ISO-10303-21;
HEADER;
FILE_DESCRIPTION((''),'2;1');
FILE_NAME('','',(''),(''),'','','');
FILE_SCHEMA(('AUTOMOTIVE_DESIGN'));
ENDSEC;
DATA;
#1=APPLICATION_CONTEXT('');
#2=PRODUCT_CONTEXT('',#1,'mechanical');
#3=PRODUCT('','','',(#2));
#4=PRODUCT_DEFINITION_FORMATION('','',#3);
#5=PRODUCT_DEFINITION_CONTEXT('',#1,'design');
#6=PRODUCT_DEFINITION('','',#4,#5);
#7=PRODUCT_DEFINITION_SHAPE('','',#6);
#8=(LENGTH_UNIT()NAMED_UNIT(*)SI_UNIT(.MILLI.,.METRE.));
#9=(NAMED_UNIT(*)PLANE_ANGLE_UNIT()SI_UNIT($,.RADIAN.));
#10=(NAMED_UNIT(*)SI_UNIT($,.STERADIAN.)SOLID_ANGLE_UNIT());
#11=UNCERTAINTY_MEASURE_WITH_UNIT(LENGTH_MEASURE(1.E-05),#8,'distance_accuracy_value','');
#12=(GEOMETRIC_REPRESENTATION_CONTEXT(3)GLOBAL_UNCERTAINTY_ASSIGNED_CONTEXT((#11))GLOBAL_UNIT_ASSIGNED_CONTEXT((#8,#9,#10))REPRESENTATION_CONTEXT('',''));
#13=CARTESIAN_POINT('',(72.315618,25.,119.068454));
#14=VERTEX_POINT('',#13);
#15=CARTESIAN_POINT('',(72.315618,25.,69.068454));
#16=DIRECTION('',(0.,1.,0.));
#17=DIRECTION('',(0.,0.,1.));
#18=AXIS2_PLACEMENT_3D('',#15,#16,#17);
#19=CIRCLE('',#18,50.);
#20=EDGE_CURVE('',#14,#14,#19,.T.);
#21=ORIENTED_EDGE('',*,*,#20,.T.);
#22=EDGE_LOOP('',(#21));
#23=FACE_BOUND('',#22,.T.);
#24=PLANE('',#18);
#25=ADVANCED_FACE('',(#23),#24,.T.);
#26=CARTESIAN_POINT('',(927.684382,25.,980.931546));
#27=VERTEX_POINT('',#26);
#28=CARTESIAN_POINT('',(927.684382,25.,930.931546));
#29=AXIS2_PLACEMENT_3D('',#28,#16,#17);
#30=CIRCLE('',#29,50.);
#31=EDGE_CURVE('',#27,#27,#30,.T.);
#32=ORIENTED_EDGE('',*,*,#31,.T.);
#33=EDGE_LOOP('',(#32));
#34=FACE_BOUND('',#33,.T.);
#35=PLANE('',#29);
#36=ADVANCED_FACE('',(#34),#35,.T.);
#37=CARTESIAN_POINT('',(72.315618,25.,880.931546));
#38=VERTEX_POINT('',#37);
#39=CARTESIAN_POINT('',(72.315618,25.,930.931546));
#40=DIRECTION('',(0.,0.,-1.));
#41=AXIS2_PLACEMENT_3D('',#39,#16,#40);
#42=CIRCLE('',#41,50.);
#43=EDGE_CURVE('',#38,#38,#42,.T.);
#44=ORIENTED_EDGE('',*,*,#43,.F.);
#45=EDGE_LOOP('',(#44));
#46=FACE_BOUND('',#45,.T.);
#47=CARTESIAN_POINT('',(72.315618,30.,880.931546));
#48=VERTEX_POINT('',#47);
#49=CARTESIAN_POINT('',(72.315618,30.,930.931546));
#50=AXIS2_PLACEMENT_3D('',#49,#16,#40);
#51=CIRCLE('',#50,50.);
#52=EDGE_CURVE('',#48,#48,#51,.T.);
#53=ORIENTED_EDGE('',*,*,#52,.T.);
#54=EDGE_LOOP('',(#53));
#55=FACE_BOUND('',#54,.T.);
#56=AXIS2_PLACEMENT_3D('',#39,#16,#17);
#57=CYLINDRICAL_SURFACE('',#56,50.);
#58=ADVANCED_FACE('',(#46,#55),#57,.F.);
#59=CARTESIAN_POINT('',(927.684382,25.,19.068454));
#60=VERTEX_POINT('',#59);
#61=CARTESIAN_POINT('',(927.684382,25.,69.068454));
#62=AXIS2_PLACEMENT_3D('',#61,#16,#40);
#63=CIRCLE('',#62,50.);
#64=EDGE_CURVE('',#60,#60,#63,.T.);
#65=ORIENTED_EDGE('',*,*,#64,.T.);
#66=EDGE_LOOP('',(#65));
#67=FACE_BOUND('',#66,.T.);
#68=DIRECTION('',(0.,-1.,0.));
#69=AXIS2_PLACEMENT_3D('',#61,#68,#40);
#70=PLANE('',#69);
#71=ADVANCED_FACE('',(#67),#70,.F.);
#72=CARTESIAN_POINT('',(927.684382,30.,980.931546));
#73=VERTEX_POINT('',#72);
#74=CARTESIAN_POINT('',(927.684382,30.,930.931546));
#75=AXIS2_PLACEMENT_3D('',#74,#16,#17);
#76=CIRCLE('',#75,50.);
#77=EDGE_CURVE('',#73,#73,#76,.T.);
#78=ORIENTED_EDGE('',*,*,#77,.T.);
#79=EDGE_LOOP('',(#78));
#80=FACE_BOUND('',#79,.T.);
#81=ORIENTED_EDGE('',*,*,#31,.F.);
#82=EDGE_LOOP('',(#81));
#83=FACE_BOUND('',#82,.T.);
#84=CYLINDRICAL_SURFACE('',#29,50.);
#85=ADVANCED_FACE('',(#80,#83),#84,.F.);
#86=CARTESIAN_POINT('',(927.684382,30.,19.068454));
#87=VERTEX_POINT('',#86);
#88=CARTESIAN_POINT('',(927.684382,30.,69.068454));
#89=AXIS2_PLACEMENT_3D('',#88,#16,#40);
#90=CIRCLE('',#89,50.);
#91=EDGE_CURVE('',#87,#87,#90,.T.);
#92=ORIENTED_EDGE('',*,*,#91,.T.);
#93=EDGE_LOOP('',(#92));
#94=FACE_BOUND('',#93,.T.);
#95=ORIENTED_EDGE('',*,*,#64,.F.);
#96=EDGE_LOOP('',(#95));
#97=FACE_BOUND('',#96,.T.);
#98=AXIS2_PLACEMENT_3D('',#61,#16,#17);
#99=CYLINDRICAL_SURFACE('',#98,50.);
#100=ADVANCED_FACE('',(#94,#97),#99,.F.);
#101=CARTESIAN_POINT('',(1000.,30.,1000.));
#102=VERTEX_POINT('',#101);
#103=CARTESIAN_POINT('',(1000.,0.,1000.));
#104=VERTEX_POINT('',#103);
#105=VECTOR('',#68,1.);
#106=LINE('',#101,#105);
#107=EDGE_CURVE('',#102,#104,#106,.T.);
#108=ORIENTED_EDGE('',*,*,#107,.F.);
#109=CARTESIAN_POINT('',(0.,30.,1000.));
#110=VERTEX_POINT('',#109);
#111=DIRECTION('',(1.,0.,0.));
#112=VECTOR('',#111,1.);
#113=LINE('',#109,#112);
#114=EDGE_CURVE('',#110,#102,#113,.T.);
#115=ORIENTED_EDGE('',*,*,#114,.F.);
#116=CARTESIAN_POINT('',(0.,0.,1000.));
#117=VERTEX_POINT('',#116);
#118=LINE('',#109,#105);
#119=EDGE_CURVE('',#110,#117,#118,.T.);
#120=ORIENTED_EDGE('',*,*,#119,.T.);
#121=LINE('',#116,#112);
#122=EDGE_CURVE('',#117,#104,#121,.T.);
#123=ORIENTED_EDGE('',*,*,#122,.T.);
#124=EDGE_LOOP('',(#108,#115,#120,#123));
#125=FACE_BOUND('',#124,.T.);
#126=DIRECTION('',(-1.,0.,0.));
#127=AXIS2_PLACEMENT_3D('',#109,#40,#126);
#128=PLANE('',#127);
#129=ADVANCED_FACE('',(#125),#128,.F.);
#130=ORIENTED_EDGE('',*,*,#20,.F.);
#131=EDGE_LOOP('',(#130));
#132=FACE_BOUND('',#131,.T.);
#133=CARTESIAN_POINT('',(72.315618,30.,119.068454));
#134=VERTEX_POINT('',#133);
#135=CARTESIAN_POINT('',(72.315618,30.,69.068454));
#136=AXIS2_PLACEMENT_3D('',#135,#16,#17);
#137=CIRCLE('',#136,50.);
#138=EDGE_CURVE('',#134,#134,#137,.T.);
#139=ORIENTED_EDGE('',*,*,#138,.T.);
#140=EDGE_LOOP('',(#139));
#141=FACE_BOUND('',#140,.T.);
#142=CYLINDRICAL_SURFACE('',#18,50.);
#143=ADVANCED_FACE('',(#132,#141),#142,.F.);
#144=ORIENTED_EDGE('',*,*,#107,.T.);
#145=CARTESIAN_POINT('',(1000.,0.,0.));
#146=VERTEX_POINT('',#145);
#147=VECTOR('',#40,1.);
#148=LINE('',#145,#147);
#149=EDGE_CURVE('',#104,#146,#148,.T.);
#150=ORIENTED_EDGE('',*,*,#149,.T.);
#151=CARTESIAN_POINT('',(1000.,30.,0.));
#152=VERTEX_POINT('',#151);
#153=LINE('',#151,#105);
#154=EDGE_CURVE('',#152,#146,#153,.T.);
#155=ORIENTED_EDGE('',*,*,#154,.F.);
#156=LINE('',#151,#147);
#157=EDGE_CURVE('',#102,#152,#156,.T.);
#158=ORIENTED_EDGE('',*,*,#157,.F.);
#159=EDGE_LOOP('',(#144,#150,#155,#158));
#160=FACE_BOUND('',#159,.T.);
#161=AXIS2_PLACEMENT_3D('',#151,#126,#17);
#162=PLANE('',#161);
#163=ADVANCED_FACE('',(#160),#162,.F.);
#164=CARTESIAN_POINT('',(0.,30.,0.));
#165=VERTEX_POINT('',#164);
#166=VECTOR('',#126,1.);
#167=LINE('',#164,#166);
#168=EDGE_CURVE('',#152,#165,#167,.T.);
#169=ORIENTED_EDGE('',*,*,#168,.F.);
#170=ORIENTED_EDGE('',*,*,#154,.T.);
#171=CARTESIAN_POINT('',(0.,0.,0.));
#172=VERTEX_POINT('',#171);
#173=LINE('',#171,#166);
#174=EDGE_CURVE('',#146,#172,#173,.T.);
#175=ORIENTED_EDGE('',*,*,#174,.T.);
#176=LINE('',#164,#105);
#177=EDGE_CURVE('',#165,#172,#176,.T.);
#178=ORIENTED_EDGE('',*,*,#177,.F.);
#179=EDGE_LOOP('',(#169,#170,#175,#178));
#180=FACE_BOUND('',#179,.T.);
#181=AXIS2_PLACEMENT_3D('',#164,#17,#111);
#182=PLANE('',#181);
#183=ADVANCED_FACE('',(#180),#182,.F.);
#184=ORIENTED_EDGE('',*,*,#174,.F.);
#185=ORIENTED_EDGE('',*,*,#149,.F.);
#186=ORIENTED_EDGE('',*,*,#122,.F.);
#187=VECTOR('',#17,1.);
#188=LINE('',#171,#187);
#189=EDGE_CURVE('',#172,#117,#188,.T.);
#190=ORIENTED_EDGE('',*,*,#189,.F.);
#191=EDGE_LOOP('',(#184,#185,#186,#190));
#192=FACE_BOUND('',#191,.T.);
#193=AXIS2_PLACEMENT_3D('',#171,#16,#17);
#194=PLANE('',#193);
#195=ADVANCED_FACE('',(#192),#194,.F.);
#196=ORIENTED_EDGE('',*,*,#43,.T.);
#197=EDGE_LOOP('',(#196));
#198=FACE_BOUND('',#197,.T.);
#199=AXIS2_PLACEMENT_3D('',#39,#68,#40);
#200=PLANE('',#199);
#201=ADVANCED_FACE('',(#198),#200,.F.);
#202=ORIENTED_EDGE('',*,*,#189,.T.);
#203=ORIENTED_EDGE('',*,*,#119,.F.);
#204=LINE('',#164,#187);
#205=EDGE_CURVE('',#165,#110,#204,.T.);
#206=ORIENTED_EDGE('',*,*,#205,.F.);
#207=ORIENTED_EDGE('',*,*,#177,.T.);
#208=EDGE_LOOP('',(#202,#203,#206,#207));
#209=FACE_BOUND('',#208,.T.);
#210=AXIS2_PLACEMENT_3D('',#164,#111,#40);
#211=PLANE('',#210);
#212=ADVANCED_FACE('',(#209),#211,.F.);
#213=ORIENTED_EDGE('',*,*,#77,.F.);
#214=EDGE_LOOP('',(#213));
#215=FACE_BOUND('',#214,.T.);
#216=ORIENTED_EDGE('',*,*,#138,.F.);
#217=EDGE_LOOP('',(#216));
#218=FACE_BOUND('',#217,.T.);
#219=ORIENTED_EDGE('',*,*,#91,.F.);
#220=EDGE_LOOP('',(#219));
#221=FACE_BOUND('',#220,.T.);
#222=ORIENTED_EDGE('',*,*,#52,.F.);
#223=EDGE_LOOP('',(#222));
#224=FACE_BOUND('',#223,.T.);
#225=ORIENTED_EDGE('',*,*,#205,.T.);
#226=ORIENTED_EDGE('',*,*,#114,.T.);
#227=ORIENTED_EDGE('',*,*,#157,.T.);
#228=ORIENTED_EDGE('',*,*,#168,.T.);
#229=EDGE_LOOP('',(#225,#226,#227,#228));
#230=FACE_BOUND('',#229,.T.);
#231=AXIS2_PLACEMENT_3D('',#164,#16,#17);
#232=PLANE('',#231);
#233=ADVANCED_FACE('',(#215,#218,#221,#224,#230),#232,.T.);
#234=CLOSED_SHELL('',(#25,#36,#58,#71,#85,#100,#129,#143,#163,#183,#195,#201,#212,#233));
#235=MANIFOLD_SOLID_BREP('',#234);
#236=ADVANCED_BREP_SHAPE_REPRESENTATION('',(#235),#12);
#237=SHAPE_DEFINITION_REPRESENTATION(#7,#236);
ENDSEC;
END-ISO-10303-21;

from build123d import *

# Parameters (mm, degrees)
SKETCH1_W           = 1000
SKETCH1_H           = 1000
BOSS_EXTRUDE1_DEPTH = 30
SKETCH2_R           = 50
CUT_EXTRUDE1_DEPTH  = 5


with BuildPart() as part:
    # Sketch1 → Boss-Extrude1 (new body)
    with BuildSketch(Plane(origin=(0, 0, 0), x_dir=(1, 0, 0), z_dir=(0, 1, 0))):
        with Locations((500, -500)):
            Rectangle(SKETCH1_W, SKETCH1_H)
    extrude(amount=BOSS_EXTRUDE1_DEPTH)

    # Sketch2 → Cut-Extrude1 (cut)
    with BuildSketch(Plane(origin=(0, 30, 0), x_dir=(1, 0, 0), z_dir=(0, 1, 0))):
        with Locations(Location((72.315618364, -69.06845402, 0), (0, 0, 270))):
            Circle(SKETCH2_R)
        with Locations(Location((927.684381636, -69.06845402, 0), (0, 0, 90))):
            Circle(SKETCH2_R)
        with Locations(Location((927.684381636, -930.93154598, 0), (0, 0, 270))):
            Circle(SKETCH2_R)
        with Locations(Location((72.315618364, -930.93154598, 0), (0, 0, 90))):
            Circle(SKETCH2_R)
    extrude(amount=-CUT_EXTRUDE1_DEPTH, mode=Mode.SUBTRACT)


solid = part.part
